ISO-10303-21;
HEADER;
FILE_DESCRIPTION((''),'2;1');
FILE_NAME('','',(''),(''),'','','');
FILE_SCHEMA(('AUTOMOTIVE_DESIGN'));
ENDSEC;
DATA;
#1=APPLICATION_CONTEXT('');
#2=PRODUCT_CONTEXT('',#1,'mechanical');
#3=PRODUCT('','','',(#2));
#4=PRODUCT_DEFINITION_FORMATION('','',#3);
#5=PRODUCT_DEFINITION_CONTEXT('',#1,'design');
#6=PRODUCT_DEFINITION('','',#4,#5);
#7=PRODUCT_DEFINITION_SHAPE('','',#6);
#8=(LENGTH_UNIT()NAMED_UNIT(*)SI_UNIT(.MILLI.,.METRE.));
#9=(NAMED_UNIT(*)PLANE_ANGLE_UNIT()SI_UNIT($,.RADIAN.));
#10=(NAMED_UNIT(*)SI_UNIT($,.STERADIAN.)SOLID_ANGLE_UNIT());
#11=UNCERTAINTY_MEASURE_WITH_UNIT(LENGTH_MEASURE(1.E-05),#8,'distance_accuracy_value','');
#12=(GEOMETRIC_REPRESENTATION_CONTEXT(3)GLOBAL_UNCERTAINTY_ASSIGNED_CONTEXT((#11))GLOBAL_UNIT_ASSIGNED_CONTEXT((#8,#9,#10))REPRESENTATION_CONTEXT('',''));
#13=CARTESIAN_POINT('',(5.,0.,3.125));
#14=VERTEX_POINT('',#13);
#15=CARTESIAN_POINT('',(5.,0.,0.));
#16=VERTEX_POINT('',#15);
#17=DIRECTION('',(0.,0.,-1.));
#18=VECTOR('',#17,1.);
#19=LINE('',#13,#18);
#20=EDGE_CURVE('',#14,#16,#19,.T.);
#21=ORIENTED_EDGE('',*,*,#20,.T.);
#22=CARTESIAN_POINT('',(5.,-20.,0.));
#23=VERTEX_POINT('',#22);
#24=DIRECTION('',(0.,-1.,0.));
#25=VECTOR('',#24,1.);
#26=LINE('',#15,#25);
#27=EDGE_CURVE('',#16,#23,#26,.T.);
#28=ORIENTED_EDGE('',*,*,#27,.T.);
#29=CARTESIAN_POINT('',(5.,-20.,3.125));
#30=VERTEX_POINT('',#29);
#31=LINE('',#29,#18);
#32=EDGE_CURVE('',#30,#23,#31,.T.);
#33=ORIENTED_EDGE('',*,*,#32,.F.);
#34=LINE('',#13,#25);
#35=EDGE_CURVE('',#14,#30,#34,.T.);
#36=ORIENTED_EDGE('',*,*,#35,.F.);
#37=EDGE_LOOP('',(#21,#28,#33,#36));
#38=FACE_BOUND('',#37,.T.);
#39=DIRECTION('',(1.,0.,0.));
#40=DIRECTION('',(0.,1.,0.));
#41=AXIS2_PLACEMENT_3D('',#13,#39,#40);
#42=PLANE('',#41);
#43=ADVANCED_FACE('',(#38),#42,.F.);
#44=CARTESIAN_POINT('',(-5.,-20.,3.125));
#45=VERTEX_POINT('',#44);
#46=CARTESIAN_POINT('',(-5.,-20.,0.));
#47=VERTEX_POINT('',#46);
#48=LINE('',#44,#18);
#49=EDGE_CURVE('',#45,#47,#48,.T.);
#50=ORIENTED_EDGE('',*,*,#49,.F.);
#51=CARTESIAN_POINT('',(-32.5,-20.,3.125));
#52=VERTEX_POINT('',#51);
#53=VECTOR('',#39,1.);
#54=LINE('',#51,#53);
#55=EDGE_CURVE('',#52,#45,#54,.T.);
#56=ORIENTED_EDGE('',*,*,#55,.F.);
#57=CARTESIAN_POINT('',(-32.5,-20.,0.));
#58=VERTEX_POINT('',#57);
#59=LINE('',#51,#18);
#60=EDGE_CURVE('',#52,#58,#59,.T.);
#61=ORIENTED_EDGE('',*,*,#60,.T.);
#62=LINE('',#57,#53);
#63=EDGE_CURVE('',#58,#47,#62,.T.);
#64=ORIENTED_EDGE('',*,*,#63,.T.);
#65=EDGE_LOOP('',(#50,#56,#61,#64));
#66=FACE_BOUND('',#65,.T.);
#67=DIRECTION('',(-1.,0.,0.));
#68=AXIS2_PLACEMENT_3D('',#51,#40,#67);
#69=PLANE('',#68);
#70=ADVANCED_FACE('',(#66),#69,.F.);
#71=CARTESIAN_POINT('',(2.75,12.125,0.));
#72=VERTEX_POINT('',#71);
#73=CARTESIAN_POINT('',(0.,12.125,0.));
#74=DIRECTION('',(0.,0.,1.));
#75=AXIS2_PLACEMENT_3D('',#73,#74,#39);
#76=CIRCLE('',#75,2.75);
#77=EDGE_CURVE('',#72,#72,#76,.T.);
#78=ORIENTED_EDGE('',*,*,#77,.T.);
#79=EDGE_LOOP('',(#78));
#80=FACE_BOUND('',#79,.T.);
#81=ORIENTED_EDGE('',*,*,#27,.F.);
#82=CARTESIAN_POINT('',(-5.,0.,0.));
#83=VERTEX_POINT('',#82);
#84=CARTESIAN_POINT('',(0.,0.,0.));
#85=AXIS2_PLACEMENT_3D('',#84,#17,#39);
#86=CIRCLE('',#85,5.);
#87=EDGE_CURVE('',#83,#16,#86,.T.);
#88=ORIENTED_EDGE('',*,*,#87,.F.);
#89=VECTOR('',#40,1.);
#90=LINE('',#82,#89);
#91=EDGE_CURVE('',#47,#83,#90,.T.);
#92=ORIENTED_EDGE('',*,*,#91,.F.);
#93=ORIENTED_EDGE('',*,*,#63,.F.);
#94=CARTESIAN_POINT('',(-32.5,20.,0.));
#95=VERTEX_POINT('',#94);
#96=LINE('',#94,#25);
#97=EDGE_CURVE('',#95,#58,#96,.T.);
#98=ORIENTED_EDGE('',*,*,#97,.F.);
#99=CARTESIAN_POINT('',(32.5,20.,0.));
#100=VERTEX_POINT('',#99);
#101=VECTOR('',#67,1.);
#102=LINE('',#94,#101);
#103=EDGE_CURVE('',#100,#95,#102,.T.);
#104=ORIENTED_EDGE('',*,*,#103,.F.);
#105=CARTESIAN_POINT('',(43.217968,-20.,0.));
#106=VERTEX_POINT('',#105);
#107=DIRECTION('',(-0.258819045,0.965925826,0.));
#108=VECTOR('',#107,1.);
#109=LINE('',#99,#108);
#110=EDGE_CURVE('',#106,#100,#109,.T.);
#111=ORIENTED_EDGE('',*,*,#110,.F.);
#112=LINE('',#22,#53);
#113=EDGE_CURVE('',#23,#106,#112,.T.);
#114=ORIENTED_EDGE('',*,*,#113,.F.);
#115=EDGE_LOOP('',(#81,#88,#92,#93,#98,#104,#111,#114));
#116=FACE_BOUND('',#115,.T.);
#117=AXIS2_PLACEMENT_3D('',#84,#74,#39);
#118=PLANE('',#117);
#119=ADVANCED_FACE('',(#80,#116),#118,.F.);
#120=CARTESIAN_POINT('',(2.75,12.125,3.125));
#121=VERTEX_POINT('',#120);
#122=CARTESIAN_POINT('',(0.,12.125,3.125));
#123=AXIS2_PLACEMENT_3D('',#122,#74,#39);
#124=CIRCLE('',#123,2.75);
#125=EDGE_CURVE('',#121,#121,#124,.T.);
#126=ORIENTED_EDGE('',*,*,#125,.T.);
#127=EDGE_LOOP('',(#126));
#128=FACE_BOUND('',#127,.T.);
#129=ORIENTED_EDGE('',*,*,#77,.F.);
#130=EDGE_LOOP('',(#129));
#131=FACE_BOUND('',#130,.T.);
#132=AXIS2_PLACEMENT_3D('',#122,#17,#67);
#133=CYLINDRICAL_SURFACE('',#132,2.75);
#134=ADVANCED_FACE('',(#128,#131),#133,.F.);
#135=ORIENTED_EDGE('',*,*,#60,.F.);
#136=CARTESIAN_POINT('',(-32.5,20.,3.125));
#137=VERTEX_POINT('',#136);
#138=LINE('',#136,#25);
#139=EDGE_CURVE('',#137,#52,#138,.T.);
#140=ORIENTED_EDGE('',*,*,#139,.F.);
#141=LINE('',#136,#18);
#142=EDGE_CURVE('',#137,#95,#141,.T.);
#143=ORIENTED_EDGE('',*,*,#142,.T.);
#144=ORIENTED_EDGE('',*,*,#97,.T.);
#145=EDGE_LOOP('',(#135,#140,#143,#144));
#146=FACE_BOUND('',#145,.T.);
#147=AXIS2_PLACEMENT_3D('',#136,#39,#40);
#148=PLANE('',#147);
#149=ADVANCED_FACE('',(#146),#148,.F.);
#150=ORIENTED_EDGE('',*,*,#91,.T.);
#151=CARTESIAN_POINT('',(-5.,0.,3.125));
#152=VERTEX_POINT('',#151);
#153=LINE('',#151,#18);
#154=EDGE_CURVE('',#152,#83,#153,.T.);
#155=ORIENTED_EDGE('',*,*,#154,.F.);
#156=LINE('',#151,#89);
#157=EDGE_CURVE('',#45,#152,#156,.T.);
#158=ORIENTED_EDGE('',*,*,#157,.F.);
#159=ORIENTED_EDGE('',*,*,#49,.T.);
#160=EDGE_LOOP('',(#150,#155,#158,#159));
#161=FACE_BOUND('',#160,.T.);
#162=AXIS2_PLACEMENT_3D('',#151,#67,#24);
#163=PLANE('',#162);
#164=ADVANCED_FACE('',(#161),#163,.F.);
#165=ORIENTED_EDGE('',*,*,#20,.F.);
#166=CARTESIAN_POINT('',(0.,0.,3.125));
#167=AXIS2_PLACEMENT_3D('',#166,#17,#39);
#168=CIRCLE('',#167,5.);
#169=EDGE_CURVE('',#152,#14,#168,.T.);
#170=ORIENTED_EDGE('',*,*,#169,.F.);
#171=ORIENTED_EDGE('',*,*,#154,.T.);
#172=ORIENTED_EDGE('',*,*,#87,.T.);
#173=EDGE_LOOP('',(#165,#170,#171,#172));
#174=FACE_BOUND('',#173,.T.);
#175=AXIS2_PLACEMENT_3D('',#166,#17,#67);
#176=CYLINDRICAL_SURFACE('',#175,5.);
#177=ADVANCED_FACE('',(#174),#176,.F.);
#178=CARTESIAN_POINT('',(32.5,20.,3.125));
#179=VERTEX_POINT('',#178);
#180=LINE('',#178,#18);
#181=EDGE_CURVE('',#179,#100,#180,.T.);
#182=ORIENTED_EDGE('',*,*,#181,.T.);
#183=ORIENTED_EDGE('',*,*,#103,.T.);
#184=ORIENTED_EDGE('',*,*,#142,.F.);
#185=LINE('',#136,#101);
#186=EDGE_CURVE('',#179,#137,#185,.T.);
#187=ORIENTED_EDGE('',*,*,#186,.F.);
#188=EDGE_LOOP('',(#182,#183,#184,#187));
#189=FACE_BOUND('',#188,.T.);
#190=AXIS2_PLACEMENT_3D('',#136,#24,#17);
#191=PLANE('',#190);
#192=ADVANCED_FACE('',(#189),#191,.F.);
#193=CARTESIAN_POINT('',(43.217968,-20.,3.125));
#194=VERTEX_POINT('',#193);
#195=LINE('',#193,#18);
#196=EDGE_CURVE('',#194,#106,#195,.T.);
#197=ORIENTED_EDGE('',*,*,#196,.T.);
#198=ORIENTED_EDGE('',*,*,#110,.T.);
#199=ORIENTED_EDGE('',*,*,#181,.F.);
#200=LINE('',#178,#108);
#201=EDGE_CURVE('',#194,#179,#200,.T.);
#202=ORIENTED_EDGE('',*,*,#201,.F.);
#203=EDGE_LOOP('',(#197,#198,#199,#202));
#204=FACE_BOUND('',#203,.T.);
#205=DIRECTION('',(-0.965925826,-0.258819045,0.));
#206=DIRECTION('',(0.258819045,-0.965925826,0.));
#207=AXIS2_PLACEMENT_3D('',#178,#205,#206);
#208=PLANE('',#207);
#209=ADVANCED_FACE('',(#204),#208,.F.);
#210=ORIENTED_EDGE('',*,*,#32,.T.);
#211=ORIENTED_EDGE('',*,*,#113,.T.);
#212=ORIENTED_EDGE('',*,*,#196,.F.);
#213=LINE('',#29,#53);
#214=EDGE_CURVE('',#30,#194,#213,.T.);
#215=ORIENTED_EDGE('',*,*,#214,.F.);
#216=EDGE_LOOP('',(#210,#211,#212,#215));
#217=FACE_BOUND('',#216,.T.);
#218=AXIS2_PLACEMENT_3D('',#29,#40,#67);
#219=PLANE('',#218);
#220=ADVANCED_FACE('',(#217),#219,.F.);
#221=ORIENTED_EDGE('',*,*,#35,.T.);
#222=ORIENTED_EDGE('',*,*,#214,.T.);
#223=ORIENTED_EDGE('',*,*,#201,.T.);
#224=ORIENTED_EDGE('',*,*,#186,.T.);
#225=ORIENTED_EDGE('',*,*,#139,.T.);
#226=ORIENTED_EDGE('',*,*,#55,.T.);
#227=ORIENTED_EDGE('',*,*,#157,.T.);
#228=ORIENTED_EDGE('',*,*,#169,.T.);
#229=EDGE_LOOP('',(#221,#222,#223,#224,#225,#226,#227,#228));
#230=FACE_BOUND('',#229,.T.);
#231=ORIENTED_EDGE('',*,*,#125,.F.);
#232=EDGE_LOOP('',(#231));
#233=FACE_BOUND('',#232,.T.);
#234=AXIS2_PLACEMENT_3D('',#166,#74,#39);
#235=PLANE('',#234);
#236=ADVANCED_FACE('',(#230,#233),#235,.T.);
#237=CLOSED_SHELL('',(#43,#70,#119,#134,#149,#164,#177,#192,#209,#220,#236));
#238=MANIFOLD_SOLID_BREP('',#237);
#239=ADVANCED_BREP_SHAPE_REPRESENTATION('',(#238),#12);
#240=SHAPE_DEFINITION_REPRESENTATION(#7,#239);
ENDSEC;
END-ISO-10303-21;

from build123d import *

# Parameters (mm, degrees)
SKETCH1_R           = 2.75
BOSS_EXTRUDE1_DEPTH = 3.125


with BuildPart() as part:
    # Sketch1 → Boss-Extrude1 (new body)
    with BuildSketch(Plane.XY):
        with BuildLine():
            Line((-32.5, 20), (32.5, 20))
            Line((32.5, 20), (43.217967697, -20))
            Line((43.217967697, -20), (5, -20))
            Line((5, -20), (5, 0))
            ThreePointArc((5, 0), (0, 5), (-5, 0))
            Line((-5, 0), (-5, -20))
            Line((-5, -20), (-32.5, -20))
            Line((-32.5, -20), (-32.5, 20))
        make_face()
        with Locations((0, 12.125)):
            Circle(SKETCH1_R, mode=Mode.SUBTRACT)
    extrude(amount=BOSS_EXTRUDE1_DEPTH)


solid = part.part
